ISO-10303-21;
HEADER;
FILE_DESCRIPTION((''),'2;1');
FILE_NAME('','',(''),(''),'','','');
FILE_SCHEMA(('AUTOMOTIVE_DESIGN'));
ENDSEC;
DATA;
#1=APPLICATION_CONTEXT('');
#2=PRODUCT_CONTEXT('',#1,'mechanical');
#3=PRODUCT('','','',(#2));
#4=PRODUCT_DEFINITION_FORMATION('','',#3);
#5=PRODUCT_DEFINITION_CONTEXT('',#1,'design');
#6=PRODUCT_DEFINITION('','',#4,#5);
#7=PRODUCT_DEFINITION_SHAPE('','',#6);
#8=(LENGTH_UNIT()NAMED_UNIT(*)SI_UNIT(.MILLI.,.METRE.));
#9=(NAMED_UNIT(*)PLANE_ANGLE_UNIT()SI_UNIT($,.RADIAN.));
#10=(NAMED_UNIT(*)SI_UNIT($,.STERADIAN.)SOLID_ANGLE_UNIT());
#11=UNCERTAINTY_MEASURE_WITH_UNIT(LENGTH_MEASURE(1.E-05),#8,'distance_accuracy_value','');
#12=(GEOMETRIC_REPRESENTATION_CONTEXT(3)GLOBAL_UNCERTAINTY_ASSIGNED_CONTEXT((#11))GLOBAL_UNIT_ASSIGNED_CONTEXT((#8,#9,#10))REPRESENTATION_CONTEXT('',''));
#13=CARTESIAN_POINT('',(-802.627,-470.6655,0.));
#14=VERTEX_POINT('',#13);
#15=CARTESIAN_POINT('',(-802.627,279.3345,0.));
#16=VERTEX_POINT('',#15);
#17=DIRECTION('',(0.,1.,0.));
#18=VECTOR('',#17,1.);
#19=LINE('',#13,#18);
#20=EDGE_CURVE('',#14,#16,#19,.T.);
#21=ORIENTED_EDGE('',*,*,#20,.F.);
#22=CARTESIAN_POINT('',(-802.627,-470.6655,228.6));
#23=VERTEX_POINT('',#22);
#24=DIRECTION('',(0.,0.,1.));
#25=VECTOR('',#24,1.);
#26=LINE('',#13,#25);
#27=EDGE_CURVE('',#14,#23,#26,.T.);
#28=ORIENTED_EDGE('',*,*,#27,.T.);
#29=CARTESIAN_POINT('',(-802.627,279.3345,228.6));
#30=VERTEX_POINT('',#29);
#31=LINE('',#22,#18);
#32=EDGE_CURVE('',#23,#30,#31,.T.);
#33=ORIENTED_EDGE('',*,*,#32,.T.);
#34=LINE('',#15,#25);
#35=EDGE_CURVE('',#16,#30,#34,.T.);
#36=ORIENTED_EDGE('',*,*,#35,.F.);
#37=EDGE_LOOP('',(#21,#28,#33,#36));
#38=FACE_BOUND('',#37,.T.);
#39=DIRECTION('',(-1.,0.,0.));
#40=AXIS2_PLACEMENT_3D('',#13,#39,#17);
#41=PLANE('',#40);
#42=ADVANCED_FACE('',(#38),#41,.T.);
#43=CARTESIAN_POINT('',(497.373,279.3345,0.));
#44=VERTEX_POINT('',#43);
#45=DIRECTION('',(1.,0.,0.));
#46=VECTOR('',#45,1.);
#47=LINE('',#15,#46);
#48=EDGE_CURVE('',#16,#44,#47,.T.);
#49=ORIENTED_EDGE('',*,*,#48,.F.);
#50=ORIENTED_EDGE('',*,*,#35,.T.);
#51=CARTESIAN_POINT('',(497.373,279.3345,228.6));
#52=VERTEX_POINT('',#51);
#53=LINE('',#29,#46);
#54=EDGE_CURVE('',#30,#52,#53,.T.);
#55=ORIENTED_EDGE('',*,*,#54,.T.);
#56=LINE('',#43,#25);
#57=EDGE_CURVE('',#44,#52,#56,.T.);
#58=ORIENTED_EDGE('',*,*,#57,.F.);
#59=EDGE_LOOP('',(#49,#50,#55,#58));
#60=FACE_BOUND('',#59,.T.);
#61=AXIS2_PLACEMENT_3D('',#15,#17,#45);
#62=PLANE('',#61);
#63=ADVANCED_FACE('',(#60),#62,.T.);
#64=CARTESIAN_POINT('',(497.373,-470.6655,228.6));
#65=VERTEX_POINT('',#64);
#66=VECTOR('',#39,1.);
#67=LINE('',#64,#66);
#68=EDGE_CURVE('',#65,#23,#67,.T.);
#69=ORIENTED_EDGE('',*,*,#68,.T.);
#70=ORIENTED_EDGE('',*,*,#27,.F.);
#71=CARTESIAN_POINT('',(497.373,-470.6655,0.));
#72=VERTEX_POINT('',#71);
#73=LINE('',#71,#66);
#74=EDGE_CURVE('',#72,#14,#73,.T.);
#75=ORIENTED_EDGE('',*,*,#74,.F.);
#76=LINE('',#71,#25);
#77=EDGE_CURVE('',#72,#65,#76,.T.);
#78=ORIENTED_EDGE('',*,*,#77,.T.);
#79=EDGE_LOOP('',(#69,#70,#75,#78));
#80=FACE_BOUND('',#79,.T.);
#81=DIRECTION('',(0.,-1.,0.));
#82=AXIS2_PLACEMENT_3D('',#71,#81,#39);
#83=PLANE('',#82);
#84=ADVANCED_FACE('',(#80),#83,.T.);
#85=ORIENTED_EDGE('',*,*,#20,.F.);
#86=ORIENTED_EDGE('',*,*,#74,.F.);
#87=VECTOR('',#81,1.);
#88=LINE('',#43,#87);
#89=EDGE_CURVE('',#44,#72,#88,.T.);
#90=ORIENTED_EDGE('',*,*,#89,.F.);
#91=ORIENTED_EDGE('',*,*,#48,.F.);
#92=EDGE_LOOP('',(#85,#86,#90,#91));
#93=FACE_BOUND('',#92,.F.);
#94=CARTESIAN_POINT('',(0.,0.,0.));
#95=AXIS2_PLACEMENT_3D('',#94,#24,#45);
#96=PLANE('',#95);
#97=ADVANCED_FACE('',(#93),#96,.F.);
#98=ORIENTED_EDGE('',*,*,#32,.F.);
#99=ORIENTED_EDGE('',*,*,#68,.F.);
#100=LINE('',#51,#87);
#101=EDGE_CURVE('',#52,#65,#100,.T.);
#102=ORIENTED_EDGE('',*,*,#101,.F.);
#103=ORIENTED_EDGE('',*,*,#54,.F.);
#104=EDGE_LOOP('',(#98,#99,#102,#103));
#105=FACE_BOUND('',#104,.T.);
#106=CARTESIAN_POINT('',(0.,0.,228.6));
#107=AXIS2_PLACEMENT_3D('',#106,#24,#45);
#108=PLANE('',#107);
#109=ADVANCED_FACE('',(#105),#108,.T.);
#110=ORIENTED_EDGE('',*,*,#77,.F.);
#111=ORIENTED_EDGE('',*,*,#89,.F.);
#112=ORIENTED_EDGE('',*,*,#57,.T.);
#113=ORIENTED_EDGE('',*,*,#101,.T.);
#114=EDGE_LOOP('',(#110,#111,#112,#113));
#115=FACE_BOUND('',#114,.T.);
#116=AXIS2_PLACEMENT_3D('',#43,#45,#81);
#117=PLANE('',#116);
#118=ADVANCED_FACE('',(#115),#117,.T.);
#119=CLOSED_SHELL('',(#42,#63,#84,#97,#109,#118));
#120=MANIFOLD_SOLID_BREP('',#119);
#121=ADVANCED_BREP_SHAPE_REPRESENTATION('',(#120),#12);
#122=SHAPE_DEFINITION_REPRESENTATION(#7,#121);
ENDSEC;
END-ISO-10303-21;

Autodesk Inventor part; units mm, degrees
ref_plane "YZ Plane" through (0, 0, 0) normal (1, 0, 0) x (0, 1, 0)
ref_plane "XZ Plane" through (0, 0, 0) normal (0, 1, 0) x (-1, 0, 0)
ref_plane "XY Plane" through (0, 0, 0) normal (0, 0, 1) x (1, 0, 0)
sketch "Sketch1" plane through (0, 0, 0) normal (0, 0, 1) x (1, 0, 0)
  line L0 (-802.627, 279.3345) -> (497.373, 279.3345)
  line L1 (497.373, 279.3345) -> (497.373, -470.6655)
  line L2 (497.373, -470.6655) -> (-802.627, -470.6655)
  line L3 (-802.627, -470.6655) -> (-802.627, 279.3345)
  point P0 (0, 0)
  dimension "d0" = 1300
  dimension "d1" = 750
extrude "Extrusion1" add sketch "Sketch1" along normal blind 228.6
properties part number "BackSupport"
